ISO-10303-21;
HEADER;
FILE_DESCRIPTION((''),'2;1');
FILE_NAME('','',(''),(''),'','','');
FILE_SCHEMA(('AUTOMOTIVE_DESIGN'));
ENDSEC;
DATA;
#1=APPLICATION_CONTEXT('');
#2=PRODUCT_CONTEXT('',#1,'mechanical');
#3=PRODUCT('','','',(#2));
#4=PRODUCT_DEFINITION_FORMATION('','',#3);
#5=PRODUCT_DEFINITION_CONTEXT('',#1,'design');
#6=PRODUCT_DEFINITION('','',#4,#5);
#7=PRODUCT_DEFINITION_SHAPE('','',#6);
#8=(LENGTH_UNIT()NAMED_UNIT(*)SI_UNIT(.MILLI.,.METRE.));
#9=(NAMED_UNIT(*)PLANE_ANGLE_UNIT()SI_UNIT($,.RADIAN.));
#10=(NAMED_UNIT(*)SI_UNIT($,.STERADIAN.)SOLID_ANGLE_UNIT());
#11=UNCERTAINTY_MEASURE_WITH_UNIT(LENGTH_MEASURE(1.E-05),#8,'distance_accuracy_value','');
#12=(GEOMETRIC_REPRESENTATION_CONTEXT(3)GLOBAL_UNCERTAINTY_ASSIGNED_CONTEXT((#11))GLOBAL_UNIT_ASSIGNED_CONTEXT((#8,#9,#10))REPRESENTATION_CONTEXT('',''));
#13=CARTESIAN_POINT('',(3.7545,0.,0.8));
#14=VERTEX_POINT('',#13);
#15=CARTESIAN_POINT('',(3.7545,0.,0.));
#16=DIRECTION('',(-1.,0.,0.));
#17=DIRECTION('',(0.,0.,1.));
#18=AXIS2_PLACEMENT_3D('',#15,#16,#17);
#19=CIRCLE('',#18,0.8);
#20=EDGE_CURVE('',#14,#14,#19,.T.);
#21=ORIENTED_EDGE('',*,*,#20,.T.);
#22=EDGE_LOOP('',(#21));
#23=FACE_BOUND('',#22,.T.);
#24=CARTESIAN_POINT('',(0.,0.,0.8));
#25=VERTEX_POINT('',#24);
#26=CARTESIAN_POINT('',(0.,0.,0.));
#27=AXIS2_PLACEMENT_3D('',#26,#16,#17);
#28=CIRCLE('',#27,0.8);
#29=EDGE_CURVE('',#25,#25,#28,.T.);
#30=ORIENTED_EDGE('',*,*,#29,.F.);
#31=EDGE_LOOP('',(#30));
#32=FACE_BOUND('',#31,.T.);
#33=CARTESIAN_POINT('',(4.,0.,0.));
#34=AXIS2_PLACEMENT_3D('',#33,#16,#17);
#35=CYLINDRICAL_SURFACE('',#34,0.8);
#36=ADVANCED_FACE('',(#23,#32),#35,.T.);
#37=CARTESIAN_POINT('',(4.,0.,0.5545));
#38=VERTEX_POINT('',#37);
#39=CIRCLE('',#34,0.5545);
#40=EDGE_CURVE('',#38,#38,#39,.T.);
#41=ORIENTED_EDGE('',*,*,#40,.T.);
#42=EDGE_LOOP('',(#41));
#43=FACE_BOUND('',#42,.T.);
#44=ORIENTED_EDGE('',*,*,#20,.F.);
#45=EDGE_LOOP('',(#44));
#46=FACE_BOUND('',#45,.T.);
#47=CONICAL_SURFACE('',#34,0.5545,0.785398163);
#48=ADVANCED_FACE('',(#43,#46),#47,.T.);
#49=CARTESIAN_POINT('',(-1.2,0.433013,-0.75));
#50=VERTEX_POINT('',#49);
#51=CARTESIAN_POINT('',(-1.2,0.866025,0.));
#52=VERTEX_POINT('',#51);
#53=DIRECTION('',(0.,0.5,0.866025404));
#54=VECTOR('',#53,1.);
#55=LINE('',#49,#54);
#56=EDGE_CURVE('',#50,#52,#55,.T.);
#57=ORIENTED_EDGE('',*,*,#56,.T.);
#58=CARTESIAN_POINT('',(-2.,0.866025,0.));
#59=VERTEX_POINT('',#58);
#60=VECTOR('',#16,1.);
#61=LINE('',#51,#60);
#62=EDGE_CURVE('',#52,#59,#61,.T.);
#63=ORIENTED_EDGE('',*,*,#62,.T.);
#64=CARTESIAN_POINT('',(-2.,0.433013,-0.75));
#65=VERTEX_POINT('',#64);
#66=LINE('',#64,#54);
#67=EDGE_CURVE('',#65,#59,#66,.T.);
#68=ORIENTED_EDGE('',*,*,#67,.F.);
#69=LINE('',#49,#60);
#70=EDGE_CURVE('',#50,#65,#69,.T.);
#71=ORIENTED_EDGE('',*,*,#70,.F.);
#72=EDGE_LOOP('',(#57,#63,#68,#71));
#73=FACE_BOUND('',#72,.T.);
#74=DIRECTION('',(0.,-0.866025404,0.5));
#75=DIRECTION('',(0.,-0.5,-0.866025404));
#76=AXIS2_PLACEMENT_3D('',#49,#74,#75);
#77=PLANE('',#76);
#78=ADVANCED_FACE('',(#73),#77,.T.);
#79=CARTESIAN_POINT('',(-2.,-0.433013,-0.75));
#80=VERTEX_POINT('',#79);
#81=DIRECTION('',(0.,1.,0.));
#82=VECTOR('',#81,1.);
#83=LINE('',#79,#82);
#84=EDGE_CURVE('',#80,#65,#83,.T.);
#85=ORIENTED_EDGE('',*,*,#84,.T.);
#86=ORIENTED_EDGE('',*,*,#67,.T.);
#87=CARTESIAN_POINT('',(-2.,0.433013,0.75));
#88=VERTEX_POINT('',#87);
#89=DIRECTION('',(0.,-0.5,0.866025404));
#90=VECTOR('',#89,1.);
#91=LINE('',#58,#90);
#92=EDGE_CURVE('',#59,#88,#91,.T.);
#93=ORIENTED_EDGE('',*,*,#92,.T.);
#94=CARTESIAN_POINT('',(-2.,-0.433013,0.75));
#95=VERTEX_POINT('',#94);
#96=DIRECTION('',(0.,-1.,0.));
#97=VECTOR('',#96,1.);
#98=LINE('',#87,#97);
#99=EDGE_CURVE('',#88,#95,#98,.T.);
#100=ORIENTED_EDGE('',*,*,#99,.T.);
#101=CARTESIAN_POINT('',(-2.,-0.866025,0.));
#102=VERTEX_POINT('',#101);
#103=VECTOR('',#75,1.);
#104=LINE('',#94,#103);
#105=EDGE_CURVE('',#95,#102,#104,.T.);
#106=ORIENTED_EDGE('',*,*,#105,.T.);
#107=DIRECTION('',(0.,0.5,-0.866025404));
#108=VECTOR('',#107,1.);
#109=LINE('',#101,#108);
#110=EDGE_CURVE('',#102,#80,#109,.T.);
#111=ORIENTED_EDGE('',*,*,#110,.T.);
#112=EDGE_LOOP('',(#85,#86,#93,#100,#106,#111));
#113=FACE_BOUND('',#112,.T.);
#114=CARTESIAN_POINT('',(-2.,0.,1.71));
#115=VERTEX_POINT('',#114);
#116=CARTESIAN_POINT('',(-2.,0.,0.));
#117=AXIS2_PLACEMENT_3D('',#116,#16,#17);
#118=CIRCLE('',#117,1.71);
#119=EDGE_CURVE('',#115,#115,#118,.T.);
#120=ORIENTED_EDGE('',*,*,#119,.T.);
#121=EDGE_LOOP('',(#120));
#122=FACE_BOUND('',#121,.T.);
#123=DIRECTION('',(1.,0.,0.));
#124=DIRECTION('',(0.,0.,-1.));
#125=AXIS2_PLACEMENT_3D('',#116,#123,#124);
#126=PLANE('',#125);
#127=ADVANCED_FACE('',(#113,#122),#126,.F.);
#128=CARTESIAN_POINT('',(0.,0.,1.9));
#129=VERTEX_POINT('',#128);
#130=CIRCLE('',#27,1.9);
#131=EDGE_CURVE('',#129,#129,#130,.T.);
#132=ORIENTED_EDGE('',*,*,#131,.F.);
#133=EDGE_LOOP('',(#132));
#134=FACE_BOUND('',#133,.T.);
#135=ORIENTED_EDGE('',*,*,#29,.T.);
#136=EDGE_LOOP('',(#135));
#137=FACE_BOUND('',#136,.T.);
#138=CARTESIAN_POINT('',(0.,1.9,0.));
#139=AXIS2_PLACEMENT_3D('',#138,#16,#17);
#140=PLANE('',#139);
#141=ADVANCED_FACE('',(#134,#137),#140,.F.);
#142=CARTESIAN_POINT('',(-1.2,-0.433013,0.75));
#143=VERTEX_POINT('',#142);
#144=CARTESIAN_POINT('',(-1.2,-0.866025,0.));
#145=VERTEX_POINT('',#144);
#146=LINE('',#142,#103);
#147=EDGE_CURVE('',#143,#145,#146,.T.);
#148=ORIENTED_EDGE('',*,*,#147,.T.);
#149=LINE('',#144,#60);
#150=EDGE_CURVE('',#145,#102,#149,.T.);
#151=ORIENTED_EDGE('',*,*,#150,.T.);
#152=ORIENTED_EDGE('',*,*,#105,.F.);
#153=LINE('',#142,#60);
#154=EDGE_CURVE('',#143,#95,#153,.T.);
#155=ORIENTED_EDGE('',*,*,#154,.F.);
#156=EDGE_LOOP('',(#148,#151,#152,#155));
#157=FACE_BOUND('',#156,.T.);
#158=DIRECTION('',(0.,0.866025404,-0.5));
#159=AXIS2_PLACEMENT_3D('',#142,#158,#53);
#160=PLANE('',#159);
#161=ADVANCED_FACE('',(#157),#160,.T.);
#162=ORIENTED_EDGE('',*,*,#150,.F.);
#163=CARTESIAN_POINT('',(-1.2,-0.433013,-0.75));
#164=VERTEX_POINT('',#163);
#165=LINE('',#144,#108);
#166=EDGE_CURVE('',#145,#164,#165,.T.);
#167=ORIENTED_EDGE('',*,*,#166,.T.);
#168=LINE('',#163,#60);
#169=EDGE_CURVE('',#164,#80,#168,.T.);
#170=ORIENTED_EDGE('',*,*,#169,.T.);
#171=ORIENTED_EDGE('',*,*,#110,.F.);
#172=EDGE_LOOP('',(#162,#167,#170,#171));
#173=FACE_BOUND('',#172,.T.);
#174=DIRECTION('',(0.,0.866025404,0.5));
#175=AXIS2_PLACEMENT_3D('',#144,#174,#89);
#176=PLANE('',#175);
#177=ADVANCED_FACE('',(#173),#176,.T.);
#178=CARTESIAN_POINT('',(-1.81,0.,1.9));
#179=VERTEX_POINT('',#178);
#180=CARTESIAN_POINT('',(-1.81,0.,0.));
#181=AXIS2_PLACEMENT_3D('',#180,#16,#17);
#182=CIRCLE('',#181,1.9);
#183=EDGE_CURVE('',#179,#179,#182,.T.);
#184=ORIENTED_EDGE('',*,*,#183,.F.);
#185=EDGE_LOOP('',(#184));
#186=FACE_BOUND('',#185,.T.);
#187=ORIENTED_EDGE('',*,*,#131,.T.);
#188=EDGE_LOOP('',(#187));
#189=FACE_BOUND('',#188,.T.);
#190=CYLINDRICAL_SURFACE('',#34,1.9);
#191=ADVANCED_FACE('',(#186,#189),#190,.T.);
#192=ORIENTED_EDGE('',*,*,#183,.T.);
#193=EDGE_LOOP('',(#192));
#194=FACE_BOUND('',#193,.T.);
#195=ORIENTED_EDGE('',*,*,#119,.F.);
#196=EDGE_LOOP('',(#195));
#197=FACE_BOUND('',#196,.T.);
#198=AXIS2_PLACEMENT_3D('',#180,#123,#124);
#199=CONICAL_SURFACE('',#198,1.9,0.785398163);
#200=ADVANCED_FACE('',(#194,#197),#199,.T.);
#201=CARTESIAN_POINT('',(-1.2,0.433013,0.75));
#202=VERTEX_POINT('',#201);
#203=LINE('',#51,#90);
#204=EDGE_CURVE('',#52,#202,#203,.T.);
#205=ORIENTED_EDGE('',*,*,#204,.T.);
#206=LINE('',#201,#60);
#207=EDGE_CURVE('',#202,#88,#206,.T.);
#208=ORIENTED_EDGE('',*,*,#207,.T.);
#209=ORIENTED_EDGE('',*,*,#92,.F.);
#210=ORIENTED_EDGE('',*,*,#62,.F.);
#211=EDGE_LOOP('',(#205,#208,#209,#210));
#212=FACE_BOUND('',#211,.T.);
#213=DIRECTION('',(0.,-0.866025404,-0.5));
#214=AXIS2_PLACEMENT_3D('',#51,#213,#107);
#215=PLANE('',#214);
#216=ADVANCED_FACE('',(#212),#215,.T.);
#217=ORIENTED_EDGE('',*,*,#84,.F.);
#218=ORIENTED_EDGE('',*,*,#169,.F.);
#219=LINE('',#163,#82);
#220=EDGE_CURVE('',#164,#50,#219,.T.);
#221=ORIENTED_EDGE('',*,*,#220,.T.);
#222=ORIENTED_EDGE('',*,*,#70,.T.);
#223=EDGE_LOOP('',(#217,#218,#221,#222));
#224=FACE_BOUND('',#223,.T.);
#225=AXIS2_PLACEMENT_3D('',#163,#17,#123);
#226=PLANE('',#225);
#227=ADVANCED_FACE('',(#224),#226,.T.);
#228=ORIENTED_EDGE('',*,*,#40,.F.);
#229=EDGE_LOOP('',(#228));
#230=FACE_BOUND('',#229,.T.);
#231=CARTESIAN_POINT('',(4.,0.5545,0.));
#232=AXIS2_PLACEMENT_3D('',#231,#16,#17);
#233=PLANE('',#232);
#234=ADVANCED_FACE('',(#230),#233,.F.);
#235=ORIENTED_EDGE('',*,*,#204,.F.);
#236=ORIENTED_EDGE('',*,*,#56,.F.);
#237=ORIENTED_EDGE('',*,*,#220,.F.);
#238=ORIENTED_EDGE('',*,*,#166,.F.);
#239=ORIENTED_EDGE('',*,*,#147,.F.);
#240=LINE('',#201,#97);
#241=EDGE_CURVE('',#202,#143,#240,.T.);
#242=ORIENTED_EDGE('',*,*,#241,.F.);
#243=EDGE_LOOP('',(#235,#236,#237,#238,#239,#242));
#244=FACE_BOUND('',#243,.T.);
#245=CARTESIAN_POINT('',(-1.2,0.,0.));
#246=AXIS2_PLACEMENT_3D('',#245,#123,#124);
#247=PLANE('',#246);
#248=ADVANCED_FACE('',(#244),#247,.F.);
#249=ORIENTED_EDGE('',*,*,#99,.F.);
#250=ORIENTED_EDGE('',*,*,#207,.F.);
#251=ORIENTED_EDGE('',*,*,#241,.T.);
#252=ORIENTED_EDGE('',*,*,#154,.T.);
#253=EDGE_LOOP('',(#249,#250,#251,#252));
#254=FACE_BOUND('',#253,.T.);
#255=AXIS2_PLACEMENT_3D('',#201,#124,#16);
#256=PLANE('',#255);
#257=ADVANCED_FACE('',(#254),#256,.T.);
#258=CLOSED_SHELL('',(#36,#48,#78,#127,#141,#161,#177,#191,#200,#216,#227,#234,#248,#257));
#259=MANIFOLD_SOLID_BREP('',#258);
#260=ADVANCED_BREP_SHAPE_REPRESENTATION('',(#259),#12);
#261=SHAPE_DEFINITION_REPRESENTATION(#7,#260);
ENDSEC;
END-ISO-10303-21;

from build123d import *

# Parameters (mm, degrees)
CUT_EXTRUDE1_DEPTH = 0.8


with BuildPart() as part:
    # Sketch1 → Revolve1 (revolve)
    with BuildSketch(Plane.XY):
        Polygon((-2, 0), (-2, 1.71), (-1.81, 1.9), (0, 1.9), (0, 0.8), (3.7545, 0.8), (4, 0.5545), (4, 0), align=None)
    revolve(axis=Axis((4, 0, 0), (-1, 0, 0)))

    # Sketch2 → Cut-Extrude1 (cut)
    with BuildSketch(Plane(origin=(-2, 0, 0), x_dir=(0, 0, -1), z_dir=(1, 0, 0))):
        Polygon((-0.75, -0.433012702), (0, -0.866025404), (0.75, -0.433012702), (0.75, 0.433012702), (0, 0.866025404), (-0.75, 0.433012702), align=None)
    extrude(amount=CUT_EXTRUDE1_DEPTH, mode=Mode.SUBTRACT)


solid = part.part
